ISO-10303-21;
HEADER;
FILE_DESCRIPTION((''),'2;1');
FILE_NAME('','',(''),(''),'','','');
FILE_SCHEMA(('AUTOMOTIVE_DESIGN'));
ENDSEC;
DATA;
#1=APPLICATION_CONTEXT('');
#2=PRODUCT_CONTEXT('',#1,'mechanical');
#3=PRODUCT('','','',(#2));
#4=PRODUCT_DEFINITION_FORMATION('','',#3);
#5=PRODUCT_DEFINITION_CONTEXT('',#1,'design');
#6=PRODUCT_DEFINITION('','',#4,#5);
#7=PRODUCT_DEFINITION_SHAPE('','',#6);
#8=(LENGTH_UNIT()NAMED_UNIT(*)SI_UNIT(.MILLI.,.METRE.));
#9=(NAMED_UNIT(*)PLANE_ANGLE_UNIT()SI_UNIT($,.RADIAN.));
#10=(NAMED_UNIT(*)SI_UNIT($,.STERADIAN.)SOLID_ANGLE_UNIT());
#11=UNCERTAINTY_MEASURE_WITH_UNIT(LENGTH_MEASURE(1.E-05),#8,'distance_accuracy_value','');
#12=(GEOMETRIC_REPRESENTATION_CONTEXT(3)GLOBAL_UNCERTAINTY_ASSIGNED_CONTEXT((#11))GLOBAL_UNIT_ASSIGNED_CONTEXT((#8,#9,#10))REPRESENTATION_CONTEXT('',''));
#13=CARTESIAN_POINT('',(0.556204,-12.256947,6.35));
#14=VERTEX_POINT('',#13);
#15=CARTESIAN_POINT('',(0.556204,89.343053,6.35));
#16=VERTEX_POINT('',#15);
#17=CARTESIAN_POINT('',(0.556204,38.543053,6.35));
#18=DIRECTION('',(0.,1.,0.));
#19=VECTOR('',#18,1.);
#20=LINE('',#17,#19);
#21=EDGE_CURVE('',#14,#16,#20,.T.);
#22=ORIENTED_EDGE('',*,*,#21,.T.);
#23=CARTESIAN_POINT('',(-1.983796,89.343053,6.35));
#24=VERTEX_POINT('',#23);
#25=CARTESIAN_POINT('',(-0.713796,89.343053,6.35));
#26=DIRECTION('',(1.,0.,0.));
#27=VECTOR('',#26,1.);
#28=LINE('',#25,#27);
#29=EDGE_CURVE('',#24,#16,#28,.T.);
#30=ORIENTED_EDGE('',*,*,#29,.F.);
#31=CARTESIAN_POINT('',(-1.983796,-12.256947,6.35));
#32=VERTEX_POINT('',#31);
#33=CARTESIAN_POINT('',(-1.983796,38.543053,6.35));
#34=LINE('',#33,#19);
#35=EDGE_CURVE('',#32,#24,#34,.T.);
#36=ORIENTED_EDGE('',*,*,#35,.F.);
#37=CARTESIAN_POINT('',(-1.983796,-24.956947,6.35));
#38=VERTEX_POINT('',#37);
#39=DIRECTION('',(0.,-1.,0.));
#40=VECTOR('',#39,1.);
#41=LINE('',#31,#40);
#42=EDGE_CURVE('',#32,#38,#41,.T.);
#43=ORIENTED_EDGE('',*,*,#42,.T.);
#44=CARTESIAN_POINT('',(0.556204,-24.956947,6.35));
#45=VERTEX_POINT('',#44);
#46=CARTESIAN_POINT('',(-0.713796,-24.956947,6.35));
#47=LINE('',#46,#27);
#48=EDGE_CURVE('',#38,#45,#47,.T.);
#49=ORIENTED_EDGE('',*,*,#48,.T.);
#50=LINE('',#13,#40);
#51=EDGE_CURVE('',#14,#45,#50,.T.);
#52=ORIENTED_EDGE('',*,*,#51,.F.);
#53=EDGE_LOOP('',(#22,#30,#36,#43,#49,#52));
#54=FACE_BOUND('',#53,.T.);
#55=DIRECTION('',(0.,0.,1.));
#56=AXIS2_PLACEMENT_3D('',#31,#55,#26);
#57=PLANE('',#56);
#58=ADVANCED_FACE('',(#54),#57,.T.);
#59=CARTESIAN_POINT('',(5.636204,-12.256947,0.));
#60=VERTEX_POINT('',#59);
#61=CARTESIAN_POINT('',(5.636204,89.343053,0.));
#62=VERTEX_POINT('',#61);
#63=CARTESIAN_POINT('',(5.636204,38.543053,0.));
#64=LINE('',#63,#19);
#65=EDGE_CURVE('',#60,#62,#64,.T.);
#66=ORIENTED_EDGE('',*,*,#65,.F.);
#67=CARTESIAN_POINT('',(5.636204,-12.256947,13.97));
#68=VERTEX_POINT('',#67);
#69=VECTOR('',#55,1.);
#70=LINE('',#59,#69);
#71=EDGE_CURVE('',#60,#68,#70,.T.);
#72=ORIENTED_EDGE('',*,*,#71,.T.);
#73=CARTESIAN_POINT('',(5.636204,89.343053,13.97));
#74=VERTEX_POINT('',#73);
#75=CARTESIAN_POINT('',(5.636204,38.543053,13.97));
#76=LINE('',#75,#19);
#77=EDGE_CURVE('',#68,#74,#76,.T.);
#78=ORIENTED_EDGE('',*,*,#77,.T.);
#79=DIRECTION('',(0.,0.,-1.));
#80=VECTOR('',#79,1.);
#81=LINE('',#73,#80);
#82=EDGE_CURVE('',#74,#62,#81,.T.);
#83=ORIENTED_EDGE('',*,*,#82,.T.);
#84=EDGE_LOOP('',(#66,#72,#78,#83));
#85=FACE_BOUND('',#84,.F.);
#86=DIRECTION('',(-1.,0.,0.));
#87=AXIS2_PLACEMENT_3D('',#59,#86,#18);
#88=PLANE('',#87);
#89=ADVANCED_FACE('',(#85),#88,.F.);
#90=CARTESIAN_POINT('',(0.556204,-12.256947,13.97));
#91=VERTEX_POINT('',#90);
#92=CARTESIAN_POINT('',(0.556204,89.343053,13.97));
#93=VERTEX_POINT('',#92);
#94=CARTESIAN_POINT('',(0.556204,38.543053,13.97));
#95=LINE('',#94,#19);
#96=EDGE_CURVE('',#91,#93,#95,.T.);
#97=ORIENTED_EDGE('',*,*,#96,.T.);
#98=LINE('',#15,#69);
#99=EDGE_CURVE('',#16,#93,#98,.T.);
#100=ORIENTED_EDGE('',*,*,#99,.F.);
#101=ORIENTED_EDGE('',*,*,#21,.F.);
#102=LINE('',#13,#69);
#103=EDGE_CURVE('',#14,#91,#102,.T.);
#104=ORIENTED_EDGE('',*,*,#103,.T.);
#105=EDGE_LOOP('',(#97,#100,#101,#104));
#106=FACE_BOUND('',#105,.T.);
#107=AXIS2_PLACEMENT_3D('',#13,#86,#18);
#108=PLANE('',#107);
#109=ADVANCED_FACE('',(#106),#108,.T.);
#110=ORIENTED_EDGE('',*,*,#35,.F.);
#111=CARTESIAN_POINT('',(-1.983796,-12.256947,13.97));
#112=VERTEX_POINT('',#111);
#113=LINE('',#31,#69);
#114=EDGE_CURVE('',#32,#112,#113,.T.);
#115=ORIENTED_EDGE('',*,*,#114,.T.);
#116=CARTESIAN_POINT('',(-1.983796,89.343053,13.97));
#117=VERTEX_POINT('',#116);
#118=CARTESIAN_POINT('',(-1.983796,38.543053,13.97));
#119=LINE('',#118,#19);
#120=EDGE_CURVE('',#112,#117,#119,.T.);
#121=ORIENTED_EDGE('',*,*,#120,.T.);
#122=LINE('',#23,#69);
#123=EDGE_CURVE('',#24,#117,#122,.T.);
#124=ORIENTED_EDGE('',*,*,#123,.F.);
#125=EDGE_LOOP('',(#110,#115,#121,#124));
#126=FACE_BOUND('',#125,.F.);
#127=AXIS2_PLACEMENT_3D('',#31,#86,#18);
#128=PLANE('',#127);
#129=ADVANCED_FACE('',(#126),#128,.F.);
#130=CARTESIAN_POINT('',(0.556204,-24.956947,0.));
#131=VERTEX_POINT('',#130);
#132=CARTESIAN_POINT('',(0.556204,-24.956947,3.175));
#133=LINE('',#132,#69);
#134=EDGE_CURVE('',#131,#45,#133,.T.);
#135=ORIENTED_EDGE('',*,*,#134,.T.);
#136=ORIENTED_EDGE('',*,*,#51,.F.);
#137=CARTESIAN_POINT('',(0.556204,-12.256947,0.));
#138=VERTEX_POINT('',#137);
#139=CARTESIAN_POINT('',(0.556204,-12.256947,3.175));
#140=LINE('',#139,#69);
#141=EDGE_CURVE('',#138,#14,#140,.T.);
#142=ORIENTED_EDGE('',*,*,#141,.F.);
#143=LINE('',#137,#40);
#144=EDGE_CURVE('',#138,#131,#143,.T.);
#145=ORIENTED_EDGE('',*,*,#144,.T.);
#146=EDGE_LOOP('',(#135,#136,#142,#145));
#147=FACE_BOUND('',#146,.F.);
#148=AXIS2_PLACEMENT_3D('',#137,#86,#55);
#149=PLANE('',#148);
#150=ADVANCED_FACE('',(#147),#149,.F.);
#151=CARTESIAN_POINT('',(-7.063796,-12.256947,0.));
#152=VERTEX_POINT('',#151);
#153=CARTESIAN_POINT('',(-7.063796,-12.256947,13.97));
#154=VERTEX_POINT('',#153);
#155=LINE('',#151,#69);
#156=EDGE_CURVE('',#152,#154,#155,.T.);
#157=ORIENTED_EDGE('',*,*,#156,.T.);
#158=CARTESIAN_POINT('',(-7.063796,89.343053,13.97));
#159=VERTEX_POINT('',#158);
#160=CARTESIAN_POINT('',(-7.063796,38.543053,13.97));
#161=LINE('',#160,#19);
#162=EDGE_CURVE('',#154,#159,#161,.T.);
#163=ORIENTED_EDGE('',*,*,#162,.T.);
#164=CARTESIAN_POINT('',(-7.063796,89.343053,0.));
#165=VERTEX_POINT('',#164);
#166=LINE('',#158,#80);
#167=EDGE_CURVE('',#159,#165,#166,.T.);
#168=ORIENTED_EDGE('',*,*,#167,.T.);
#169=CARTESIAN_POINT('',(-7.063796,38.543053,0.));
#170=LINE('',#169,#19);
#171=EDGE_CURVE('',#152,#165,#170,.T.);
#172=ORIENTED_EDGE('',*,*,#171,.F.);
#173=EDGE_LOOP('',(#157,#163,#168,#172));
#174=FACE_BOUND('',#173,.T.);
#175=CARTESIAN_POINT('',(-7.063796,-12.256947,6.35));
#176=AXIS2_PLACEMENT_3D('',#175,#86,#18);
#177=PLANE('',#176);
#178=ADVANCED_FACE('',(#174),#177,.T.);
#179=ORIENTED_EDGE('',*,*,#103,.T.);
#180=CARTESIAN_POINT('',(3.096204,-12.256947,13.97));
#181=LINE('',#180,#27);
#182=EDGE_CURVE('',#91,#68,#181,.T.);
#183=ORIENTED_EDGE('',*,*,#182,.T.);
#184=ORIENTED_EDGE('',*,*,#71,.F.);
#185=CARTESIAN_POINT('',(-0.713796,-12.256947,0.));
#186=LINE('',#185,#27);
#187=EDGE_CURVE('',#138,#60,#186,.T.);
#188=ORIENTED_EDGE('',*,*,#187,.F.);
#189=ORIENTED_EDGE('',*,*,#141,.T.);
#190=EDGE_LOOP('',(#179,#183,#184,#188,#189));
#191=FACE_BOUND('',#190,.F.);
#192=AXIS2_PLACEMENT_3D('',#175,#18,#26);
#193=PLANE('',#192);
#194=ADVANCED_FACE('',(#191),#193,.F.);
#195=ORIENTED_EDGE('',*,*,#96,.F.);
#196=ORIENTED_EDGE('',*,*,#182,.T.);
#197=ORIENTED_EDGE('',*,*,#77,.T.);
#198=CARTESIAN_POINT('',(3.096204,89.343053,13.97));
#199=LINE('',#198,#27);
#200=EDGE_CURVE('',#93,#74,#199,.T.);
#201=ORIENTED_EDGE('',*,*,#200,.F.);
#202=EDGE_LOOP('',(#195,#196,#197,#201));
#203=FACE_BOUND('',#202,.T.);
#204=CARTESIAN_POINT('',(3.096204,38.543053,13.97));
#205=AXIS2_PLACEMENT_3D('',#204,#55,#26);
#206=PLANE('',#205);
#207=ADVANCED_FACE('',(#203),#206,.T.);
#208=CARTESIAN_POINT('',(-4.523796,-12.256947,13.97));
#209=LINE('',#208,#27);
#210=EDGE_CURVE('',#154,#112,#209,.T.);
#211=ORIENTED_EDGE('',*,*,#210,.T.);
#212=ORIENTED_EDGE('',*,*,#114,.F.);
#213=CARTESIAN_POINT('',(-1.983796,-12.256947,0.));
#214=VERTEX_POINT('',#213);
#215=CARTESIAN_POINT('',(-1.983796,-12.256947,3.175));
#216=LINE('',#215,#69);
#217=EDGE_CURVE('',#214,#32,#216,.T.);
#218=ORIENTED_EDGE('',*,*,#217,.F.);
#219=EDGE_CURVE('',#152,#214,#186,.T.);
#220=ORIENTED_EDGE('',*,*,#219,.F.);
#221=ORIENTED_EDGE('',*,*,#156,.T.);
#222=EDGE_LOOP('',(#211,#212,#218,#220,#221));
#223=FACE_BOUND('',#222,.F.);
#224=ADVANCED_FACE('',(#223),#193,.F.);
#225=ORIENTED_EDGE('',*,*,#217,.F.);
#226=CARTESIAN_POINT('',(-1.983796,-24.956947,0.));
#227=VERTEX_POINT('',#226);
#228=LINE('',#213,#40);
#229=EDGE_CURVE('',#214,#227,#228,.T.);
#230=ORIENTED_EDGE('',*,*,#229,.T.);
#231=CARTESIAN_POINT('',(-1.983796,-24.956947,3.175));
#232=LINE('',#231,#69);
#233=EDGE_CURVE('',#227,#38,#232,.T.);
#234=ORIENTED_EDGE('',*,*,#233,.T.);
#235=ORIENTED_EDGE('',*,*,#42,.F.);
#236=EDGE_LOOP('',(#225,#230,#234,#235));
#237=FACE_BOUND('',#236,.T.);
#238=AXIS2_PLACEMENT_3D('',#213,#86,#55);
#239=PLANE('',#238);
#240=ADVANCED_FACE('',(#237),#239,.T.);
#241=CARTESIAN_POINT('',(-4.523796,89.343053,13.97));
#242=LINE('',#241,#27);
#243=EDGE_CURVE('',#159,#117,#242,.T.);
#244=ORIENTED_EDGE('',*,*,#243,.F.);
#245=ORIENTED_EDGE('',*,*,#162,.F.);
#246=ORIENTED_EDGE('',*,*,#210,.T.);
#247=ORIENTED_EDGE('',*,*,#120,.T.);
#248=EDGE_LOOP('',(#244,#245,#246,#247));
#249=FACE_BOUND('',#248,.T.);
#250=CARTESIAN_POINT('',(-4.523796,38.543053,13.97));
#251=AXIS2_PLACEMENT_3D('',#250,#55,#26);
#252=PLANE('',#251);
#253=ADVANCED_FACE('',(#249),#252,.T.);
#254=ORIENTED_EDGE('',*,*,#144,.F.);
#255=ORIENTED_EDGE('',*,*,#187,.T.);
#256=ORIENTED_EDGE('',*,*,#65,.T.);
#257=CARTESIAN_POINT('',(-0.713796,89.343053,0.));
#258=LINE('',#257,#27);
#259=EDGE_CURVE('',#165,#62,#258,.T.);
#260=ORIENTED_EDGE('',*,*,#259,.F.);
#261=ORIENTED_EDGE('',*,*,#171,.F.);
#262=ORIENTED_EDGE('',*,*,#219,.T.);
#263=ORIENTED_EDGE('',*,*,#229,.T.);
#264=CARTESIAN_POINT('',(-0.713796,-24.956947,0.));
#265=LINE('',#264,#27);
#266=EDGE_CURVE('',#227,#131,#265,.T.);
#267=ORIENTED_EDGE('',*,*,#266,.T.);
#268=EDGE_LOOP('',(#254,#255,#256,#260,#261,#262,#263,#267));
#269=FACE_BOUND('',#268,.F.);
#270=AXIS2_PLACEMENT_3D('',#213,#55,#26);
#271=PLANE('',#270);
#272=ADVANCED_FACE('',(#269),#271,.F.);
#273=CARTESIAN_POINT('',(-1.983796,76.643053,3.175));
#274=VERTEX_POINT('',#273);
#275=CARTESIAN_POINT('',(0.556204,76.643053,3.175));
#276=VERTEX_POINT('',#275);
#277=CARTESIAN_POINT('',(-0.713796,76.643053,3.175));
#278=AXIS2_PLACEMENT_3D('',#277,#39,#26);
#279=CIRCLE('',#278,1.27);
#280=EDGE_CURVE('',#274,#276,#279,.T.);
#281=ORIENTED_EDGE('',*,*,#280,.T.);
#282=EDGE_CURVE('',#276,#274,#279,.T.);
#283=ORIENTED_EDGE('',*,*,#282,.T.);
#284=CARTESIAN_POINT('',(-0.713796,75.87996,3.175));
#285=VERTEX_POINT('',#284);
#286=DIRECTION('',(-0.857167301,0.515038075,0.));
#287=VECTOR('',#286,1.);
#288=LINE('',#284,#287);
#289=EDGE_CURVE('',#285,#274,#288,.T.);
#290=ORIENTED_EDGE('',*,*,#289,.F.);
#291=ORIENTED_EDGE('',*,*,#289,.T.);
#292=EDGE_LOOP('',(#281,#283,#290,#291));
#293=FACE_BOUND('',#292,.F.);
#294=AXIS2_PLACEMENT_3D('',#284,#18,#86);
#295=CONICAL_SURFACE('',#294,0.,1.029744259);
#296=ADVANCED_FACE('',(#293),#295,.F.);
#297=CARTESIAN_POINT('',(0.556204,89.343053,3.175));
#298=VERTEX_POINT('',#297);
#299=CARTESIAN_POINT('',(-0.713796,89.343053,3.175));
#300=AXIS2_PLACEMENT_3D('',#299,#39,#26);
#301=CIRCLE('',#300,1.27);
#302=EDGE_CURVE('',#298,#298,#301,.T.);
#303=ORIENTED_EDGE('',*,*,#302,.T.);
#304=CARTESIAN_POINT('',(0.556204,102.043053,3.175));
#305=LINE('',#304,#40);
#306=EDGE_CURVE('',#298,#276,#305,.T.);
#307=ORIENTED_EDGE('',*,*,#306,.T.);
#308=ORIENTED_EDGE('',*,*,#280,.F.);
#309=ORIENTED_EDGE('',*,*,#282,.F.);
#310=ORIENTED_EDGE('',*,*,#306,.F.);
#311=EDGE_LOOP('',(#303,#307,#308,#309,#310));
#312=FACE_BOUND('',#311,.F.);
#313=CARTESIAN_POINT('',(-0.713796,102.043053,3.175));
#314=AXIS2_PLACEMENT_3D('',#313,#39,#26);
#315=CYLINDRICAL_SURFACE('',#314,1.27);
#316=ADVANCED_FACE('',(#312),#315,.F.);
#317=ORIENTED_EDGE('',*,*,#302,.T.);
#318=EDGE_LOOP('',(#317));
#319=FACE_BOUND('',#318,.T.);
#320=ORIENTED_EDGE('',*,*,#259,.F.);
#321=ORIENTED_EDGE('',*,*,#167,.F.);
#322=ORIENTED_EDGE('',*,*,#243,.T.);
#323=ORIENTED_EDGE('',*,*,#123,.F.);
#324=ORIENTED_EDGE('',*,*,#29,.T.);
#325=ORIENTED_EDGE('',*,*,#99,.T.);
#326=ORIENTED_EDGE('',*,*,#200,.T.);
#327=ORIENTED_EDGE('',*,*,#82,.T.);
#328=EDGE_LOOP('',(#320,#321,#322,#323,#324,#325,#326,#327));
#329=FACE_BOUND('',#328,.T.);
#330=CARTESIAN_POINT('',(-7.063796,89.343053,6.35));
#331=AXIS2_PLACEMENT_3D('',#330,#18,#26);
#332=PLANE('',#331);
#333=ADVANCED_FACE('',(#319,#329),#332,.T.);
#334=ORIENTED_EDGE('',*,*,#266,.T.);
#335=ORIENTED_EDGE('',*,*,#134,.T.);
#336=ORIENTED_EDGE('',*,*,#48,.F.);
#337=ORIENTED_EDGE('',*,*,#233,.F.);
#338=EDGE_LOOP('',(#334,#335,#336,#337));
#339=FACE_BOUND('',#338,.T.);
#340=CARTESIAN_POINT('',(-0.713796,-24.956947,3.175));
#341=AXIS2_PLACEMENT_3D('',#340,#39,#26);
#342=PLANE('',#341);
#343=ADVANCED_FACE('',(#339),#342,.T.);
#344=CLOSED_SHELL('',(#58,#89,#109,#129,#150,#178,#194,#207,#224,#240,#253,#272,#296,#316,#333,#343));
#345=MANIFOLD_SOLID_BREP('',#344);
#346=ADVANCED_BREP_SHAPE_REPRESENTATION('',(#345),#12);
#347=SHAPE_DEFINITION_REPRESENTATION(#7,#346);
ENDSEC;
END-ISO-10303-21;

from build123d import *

# Parameters (mm, degrees)
F0_W     = 12.7
F0_H     = 101.6
F1_DEPTH = 6.35
F2_W     = 5.08
F2_H     = 101.6
F3_DEPTH = 7.62
F4_W     = 2.54
F4_H     = 6.35
F5_DEPTH = 12.7
F7_D     = 2.54
F7_DEPTH = 12.7
F7_TIP   = 0.7630929862


with BuildPart() as f1:
    # F0 (on Top) → F1 (new body)
    with BuildSketch(Plane.XY):
        with Locations((-0.7137963548, 38.543052576)):
            Rectangle(F0_W, F0_H)
    extrude(amount=F1_DEPTH)

    # F2 (on face) → F3 (join)
    with BuildSketch(Plane.XY.offset(6.35)):
        with Locations((-4.5237963548, 38.543052576)):
            Rectangle(F2_W, F2_H)
        with Locations((3.0962036452, 38.543052576)):
            Rectangle(F2_W, F2_H)
    extrude(amount=F3_DEPTH)

    # F4 (on face) → F5 (join)
    with BuildSketch(Plane.XZ.offset(12.256947424)):
        with Locations((-0.7137963548, 3.175)):
            Rectangle(F4_W, F4_H)
    extrude(amount=F5_DEPTH)

    # F7
    with Locations(Plane(origin=(0, 89.343052576, 0), x_dir=(-1, 0, 0), z_dir=(0, 1, 0))):
        with Locations((0.7137963548, 3.175)):
            Hole(F7_D / 2, depth=F7_DEPTH)
            with Locations((0, 0, -(F7_DEPTH + F7_TIP / 2))):  # 118° drill point
                Cone(0, F7_D / 2, F7_TIP, mode=Mode.SUBTRACT)


solid = f1.part
